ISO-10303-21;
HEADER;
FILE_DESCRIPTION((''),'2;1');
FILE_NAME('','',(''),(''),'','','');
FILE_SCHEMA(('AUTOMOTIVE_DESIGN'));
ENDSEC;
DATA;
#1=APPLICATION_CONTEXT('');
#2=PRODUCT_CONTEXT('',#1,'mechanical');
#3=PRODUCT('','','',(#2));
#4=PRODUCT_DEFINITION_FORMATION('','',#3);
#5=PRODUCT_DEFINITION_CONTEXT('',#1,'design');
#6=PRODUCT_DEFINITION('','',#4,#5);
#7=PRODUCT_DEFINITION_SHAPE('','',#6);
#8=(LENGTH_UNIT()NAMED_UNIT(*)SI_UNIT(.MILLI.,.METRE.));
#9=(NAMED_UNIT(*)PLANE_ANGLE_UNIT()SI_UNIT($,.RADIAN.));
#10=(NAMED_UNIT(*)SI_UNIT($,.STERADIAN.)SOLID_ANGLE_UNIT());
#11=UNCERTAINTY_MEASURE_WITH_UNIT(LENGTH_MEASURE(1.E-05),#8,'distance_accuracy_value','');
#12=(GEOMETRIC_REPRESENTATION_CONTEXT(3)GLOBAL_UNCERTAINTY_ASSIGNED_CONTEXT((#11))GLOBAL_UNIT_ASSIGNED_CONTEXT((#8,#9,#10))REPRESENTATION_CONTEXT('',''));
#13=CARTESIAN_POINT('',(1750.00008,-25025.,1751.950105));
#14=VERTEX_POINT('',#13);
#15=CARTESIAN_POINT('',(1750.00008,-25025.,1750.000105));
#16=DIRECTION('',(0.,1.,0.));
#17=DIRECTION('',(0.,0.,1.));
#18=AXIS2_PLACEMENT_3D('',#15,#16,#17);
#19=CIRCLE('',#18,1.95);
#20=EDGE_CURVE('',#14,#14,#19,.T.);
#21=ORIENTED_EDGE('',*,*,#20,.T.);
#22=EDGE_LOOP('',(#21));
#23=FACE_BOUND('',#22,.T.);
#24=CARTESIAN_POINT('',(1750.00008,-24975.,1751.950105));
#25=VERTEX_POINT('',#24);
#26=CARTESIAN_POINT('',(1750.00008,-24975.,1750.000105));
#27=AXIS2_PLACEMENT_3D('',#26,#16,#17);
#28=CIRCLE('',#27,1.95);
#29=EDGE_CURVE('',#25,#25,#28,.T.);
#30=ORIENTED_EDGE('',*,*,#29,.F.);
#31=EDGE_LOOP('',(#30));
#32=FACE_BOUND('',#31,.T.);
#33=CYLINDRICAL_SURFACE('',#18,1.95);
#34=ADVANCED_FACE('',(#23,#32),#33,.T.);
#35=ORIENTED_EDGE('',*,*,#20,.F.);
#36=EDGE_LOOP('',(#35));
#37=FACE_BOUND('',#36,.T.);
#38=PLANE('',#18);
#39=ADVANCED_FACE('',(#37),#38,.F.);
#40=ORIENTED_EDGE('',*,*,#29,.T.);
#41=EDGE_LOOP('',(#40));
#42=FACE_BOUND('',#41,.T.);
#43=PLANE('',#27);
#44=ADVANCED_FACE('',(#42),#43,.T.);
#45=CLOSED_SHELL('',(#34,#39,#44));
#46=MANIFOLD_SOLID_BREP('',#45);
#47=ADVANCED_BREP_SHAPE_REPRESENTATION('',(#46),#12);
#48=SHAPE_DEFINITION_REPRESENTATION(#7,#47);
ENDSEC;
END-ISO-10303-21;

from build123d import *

# Parameters (mm, degrees)
SKETCH1_R           = 1950
BOSS_EXTRUDE1_DEPTH = 50000
SCALE1_SCALE        = 0.001


with BuildPart() as part:
    # Sketch1 → Boss-Extrude1 (new body)
    with BuildSketch(Plane(origin=(0, 0, 0), x_dir=(1, 0, 0), z_dir=(0, 1, 0))):
        with Locations(Location((1750.000080079, -1750.000104557, 0), (0, 0, 270))):
            Circle(SKETCH1_R)
    extrude(amount=-BOSS_EXTRUDE1_DEPTH)


with BuildPart() as part_1:
    # Scale1: scaled about (1750.000080079, -25000, 1750.000104557)
    add(part.part.scale(SCALE1_SCALE).moved(Location((1748.250079999, -24975, 1748.250104452))))


solid = part_1.part
